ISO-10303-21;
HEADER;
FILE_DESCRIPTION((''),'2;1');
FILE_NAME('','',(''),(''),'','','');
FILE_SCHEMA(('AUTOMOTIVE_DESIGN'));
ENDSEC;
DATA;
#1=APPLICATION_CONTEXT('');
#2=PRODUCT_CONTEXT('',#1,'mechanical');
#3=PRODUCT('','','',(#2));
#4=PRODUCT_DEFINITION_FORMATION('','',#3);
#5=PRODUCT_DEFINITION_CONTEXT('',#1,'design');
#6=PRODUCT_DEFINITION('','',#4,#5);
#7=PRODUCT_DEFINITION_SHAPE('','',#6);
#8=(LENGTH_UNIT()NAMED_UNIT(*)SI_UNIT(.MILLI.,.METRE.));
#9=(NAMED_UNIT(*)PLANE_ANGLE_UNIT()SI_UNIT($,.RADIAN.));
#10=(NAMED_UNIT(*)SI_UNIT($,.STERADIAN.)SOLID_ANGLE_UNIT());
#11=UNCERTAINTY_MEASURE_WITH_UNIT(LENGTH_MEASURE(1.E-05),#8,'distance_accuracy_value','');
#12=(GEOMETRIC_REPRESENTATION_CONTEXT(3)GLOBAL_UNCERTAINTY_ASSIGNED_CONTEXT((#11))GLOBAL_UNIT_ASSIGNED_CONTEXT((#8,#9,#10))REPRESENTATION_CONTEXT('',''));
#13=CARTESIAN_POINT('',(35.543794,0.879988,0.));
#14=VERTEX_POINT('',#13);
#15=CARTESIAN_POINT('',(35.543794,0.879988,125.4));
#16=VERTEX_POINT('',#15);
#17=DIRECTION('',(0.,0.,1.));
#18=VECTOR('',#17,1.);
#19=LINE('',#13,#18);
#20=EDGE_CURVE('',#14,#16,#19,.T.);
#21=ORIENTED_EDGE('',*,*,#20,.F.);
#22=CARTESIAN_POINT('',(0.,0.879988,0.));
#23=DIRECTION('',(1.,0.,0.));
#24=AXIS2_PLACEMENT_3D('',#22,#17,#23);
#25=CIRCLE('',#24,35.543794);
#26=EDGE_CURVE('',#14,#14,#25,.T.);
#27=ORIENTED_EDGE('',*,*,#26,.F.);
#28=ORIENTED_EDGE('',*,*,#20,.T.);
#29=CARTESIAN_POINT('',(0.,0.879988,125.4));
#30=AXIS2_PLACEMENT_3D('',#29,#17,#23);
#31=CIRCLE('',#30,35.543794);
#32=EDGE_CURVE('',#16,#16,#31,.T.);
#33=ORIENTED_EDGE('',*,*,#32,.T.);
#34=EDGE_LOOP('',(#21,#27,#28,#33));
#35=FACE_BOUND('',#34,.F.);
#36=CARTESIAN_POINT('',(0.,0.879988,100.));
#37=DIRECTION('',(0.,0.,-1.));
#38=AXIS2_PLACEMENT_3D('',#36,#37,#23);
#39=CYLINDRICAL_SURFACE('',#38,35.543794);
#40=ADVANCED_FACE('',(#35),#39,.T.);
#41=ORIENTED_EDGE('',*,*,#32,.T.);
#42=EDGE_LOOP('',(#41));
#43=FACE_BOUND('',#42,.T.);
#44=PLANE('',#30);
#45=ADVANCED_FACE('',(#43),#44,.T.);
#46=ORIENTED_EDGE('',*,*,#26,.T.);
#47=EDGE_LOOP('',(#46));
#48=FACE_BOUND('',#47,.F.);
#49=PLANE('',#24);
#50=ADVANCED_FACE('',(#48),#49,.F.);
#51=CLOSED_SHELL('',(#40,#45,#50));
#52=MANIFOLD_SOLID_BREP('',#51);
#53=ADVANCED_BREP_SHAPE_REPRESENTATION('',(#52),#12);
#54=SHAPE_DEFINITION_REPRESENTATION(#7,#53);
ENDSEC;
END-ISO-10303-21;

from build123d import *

# Parameters (mm, degrees)
F0_R      = 35.543794
F1_DEPTH  = 100
F2_R      = 16.15749
F3_DEPTH  = 25.4
F1_FACE_R = 35.543794
F4_DEPTH  = 25.4


with BuildPart() as f1:
    # F0 (on Top) → F1 (new body)
    with BuildSketch(Plane.XY):
        with Locations((0, 0.879988)):
            Circle(F0_R)
    extrude(amount=F1_DEPTH)

    # F2 (on face) → F3 (join)
    with BuildSketch(Plane.XY.offset(100)):
        Circle(F2_R)
    extrude(amount=-F3_DEPTH)

    # F1_face (on face) → F4 (join)
    with BuildSketch(Plane(origin=(0, 0.879988, 100), x_dir=(1, 0, 0), z_dir=(0, 0, 1))):
        Circle(F1_FACE_R)
    extrude(amount=F4_DEPTH)


solid = f1.part
